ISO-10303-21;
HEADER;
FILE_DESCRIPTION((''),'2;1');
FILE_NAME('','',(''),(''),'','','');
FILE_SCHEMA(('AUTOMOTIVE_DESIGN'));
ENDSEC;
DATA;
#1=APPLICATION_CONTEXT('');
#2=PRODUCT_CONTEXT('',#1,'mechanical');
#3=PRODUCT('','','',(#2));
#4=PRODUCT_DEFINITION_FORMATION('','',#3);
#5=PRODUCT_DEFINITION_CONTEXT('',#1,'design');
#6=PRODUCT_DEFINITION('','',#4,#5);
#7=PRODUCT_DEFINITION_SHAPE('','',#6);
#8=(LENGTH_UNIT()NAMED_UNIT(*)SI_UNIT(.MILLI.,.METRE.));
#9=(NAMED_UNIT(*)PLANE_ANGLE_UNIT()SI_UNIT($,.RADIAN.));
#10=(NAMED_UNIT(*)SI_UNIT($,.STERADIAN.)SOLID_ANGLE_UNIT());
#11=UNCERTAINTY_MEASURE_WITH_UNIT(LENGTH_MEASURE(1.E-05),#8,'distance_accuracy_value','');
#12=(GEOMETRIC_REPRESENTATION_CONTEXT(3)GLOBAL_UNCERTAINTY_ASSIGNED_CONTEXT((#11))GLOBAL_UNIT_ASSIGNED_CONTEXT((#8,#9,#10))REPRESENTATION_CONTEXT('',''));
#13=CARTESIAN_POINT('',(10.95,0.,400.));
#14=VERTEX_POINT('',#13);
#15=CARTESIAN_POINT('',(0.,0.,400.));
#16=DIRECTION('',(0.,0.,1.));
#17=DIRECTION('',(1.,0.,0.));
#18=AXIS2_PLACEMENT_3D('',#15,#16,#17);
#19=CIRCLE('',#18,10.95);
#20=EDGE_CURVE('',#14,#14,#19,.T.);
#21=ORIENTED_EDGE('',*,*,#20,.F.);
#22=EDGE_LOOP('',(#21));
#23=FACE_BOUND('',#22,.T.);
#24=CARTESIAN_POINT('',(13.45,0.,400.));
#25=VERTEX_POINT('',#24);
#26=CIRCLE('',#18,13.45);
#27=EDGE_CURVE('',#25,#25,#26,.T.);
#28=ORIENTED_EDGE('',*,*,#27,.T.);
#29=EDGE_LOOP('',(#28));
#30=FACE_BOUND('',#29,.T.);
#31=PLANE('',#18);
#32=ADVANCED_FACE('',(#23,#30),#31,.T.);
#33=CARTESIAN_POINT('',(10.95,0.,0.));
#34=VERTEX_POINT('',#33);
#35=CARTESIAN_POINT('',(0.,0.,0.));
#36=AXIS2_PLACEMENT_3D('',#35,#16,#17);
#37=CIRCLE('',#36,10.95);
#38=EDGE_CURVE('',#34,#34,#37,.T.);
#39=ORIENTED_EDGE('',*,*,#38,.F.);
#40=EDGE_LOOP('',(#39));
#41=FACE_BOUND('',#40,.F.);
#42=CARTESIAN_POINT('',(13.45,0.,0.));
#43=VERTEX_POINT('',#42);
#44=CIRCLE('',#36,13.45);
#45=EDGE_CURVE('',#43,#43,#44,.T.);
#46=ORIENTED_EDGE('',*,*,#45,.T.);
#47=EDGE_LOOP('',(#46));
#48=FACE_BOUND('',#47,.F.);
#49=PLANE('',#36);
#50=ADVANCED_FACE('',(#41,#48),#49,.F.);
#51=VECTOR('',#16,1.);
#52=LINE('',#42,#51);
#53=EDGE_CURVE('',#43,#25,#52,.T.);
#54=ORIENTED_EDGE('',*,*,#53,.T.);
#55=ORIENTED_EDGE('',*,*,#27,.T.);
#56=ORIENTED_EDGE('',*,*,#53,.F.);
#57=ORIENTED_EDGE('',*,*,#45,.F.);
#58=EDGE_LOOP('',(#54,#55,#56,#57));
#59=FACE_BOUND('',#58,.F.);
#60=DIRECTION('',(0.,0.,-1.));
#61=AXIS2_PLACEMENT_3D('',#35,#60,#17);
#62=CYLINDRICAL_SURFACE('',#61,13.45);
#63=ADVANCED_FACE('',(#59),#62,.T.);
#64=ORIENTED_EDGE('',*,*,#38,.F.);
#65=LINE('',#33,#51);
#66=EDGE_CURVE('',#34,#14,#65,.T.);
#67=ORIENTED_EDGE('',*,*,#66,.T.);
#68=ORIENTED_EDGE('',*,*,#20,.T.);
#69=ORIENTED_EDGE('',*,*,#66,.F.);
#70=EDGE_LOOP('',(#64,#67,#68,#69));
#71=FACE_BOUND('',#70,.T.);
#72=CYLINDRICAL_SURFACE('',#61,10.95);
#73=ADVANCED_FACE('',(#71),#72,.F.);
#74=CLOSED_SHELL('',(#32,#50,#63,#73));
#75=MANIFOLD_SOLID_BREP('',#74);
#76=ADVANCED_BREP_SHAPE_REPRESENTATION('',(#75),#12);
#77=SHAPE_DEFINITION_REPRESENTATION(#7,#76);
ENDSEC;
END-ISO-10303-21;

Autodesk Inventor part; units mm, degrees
ref_plane "YZ Plane" through (0, 0, 0) normal (1, 0, 0) x (0, 1, 0)
ref_plane "Start Plane" through (0, 0, 0) normal (0, 0, 1) x (1, 0, 0)
ref_plane "End Plane" through (0, 0, 400) normal (0, 0, 1) x (1, 0, 0)
sketch "Sketch" plane through (0, 0, 0) normal (0, 0, 1) x (1, 0, 0)
  circle A0 centre (0, 0) radius 10.95
  circle A1 centre (0, 0) radius 13.45
  dimension "d0" = 26.9
  dimension "d1" = 2.5
extrude "Body" add sketch "Sketch" along normal up to surface (400 mm away) from surface at 0
sketch "Sketch3" plane through (0, 0, 0) normal (0, 0, 1) x (1, 0, 0)
  line L0 (0, 0) -> (10, 0)
ref_plane "Work Plane3" through (0, 0, 0) normal (0, -1, 0) x (1, 0, 0)
sketch "Sketch4" plane through (0, 0, 0) normal (0, -1, 0) x (1, 0, 0)
  line L0 (-2, 0) -> (12, 0) projected
  line L1 (-2, 400) -> (12, 400) projected
  dimension "d7" = 400
equation "\"d0\" = G_H"
equation "\"d1\" = G_T"
equation "\"d2\" = G_L"
equation "\"G_H\" = 26.9"
equation "\"G_T\" = 2.5"
equation "\"G_L\" = d7"
equation "\"G_OFFSET_START\" = 0"
equation "\"G_OFFSET_END\" = 0"
properties part number "ISO 4019 - 26.9x2.5 - 400" material "Steel"
